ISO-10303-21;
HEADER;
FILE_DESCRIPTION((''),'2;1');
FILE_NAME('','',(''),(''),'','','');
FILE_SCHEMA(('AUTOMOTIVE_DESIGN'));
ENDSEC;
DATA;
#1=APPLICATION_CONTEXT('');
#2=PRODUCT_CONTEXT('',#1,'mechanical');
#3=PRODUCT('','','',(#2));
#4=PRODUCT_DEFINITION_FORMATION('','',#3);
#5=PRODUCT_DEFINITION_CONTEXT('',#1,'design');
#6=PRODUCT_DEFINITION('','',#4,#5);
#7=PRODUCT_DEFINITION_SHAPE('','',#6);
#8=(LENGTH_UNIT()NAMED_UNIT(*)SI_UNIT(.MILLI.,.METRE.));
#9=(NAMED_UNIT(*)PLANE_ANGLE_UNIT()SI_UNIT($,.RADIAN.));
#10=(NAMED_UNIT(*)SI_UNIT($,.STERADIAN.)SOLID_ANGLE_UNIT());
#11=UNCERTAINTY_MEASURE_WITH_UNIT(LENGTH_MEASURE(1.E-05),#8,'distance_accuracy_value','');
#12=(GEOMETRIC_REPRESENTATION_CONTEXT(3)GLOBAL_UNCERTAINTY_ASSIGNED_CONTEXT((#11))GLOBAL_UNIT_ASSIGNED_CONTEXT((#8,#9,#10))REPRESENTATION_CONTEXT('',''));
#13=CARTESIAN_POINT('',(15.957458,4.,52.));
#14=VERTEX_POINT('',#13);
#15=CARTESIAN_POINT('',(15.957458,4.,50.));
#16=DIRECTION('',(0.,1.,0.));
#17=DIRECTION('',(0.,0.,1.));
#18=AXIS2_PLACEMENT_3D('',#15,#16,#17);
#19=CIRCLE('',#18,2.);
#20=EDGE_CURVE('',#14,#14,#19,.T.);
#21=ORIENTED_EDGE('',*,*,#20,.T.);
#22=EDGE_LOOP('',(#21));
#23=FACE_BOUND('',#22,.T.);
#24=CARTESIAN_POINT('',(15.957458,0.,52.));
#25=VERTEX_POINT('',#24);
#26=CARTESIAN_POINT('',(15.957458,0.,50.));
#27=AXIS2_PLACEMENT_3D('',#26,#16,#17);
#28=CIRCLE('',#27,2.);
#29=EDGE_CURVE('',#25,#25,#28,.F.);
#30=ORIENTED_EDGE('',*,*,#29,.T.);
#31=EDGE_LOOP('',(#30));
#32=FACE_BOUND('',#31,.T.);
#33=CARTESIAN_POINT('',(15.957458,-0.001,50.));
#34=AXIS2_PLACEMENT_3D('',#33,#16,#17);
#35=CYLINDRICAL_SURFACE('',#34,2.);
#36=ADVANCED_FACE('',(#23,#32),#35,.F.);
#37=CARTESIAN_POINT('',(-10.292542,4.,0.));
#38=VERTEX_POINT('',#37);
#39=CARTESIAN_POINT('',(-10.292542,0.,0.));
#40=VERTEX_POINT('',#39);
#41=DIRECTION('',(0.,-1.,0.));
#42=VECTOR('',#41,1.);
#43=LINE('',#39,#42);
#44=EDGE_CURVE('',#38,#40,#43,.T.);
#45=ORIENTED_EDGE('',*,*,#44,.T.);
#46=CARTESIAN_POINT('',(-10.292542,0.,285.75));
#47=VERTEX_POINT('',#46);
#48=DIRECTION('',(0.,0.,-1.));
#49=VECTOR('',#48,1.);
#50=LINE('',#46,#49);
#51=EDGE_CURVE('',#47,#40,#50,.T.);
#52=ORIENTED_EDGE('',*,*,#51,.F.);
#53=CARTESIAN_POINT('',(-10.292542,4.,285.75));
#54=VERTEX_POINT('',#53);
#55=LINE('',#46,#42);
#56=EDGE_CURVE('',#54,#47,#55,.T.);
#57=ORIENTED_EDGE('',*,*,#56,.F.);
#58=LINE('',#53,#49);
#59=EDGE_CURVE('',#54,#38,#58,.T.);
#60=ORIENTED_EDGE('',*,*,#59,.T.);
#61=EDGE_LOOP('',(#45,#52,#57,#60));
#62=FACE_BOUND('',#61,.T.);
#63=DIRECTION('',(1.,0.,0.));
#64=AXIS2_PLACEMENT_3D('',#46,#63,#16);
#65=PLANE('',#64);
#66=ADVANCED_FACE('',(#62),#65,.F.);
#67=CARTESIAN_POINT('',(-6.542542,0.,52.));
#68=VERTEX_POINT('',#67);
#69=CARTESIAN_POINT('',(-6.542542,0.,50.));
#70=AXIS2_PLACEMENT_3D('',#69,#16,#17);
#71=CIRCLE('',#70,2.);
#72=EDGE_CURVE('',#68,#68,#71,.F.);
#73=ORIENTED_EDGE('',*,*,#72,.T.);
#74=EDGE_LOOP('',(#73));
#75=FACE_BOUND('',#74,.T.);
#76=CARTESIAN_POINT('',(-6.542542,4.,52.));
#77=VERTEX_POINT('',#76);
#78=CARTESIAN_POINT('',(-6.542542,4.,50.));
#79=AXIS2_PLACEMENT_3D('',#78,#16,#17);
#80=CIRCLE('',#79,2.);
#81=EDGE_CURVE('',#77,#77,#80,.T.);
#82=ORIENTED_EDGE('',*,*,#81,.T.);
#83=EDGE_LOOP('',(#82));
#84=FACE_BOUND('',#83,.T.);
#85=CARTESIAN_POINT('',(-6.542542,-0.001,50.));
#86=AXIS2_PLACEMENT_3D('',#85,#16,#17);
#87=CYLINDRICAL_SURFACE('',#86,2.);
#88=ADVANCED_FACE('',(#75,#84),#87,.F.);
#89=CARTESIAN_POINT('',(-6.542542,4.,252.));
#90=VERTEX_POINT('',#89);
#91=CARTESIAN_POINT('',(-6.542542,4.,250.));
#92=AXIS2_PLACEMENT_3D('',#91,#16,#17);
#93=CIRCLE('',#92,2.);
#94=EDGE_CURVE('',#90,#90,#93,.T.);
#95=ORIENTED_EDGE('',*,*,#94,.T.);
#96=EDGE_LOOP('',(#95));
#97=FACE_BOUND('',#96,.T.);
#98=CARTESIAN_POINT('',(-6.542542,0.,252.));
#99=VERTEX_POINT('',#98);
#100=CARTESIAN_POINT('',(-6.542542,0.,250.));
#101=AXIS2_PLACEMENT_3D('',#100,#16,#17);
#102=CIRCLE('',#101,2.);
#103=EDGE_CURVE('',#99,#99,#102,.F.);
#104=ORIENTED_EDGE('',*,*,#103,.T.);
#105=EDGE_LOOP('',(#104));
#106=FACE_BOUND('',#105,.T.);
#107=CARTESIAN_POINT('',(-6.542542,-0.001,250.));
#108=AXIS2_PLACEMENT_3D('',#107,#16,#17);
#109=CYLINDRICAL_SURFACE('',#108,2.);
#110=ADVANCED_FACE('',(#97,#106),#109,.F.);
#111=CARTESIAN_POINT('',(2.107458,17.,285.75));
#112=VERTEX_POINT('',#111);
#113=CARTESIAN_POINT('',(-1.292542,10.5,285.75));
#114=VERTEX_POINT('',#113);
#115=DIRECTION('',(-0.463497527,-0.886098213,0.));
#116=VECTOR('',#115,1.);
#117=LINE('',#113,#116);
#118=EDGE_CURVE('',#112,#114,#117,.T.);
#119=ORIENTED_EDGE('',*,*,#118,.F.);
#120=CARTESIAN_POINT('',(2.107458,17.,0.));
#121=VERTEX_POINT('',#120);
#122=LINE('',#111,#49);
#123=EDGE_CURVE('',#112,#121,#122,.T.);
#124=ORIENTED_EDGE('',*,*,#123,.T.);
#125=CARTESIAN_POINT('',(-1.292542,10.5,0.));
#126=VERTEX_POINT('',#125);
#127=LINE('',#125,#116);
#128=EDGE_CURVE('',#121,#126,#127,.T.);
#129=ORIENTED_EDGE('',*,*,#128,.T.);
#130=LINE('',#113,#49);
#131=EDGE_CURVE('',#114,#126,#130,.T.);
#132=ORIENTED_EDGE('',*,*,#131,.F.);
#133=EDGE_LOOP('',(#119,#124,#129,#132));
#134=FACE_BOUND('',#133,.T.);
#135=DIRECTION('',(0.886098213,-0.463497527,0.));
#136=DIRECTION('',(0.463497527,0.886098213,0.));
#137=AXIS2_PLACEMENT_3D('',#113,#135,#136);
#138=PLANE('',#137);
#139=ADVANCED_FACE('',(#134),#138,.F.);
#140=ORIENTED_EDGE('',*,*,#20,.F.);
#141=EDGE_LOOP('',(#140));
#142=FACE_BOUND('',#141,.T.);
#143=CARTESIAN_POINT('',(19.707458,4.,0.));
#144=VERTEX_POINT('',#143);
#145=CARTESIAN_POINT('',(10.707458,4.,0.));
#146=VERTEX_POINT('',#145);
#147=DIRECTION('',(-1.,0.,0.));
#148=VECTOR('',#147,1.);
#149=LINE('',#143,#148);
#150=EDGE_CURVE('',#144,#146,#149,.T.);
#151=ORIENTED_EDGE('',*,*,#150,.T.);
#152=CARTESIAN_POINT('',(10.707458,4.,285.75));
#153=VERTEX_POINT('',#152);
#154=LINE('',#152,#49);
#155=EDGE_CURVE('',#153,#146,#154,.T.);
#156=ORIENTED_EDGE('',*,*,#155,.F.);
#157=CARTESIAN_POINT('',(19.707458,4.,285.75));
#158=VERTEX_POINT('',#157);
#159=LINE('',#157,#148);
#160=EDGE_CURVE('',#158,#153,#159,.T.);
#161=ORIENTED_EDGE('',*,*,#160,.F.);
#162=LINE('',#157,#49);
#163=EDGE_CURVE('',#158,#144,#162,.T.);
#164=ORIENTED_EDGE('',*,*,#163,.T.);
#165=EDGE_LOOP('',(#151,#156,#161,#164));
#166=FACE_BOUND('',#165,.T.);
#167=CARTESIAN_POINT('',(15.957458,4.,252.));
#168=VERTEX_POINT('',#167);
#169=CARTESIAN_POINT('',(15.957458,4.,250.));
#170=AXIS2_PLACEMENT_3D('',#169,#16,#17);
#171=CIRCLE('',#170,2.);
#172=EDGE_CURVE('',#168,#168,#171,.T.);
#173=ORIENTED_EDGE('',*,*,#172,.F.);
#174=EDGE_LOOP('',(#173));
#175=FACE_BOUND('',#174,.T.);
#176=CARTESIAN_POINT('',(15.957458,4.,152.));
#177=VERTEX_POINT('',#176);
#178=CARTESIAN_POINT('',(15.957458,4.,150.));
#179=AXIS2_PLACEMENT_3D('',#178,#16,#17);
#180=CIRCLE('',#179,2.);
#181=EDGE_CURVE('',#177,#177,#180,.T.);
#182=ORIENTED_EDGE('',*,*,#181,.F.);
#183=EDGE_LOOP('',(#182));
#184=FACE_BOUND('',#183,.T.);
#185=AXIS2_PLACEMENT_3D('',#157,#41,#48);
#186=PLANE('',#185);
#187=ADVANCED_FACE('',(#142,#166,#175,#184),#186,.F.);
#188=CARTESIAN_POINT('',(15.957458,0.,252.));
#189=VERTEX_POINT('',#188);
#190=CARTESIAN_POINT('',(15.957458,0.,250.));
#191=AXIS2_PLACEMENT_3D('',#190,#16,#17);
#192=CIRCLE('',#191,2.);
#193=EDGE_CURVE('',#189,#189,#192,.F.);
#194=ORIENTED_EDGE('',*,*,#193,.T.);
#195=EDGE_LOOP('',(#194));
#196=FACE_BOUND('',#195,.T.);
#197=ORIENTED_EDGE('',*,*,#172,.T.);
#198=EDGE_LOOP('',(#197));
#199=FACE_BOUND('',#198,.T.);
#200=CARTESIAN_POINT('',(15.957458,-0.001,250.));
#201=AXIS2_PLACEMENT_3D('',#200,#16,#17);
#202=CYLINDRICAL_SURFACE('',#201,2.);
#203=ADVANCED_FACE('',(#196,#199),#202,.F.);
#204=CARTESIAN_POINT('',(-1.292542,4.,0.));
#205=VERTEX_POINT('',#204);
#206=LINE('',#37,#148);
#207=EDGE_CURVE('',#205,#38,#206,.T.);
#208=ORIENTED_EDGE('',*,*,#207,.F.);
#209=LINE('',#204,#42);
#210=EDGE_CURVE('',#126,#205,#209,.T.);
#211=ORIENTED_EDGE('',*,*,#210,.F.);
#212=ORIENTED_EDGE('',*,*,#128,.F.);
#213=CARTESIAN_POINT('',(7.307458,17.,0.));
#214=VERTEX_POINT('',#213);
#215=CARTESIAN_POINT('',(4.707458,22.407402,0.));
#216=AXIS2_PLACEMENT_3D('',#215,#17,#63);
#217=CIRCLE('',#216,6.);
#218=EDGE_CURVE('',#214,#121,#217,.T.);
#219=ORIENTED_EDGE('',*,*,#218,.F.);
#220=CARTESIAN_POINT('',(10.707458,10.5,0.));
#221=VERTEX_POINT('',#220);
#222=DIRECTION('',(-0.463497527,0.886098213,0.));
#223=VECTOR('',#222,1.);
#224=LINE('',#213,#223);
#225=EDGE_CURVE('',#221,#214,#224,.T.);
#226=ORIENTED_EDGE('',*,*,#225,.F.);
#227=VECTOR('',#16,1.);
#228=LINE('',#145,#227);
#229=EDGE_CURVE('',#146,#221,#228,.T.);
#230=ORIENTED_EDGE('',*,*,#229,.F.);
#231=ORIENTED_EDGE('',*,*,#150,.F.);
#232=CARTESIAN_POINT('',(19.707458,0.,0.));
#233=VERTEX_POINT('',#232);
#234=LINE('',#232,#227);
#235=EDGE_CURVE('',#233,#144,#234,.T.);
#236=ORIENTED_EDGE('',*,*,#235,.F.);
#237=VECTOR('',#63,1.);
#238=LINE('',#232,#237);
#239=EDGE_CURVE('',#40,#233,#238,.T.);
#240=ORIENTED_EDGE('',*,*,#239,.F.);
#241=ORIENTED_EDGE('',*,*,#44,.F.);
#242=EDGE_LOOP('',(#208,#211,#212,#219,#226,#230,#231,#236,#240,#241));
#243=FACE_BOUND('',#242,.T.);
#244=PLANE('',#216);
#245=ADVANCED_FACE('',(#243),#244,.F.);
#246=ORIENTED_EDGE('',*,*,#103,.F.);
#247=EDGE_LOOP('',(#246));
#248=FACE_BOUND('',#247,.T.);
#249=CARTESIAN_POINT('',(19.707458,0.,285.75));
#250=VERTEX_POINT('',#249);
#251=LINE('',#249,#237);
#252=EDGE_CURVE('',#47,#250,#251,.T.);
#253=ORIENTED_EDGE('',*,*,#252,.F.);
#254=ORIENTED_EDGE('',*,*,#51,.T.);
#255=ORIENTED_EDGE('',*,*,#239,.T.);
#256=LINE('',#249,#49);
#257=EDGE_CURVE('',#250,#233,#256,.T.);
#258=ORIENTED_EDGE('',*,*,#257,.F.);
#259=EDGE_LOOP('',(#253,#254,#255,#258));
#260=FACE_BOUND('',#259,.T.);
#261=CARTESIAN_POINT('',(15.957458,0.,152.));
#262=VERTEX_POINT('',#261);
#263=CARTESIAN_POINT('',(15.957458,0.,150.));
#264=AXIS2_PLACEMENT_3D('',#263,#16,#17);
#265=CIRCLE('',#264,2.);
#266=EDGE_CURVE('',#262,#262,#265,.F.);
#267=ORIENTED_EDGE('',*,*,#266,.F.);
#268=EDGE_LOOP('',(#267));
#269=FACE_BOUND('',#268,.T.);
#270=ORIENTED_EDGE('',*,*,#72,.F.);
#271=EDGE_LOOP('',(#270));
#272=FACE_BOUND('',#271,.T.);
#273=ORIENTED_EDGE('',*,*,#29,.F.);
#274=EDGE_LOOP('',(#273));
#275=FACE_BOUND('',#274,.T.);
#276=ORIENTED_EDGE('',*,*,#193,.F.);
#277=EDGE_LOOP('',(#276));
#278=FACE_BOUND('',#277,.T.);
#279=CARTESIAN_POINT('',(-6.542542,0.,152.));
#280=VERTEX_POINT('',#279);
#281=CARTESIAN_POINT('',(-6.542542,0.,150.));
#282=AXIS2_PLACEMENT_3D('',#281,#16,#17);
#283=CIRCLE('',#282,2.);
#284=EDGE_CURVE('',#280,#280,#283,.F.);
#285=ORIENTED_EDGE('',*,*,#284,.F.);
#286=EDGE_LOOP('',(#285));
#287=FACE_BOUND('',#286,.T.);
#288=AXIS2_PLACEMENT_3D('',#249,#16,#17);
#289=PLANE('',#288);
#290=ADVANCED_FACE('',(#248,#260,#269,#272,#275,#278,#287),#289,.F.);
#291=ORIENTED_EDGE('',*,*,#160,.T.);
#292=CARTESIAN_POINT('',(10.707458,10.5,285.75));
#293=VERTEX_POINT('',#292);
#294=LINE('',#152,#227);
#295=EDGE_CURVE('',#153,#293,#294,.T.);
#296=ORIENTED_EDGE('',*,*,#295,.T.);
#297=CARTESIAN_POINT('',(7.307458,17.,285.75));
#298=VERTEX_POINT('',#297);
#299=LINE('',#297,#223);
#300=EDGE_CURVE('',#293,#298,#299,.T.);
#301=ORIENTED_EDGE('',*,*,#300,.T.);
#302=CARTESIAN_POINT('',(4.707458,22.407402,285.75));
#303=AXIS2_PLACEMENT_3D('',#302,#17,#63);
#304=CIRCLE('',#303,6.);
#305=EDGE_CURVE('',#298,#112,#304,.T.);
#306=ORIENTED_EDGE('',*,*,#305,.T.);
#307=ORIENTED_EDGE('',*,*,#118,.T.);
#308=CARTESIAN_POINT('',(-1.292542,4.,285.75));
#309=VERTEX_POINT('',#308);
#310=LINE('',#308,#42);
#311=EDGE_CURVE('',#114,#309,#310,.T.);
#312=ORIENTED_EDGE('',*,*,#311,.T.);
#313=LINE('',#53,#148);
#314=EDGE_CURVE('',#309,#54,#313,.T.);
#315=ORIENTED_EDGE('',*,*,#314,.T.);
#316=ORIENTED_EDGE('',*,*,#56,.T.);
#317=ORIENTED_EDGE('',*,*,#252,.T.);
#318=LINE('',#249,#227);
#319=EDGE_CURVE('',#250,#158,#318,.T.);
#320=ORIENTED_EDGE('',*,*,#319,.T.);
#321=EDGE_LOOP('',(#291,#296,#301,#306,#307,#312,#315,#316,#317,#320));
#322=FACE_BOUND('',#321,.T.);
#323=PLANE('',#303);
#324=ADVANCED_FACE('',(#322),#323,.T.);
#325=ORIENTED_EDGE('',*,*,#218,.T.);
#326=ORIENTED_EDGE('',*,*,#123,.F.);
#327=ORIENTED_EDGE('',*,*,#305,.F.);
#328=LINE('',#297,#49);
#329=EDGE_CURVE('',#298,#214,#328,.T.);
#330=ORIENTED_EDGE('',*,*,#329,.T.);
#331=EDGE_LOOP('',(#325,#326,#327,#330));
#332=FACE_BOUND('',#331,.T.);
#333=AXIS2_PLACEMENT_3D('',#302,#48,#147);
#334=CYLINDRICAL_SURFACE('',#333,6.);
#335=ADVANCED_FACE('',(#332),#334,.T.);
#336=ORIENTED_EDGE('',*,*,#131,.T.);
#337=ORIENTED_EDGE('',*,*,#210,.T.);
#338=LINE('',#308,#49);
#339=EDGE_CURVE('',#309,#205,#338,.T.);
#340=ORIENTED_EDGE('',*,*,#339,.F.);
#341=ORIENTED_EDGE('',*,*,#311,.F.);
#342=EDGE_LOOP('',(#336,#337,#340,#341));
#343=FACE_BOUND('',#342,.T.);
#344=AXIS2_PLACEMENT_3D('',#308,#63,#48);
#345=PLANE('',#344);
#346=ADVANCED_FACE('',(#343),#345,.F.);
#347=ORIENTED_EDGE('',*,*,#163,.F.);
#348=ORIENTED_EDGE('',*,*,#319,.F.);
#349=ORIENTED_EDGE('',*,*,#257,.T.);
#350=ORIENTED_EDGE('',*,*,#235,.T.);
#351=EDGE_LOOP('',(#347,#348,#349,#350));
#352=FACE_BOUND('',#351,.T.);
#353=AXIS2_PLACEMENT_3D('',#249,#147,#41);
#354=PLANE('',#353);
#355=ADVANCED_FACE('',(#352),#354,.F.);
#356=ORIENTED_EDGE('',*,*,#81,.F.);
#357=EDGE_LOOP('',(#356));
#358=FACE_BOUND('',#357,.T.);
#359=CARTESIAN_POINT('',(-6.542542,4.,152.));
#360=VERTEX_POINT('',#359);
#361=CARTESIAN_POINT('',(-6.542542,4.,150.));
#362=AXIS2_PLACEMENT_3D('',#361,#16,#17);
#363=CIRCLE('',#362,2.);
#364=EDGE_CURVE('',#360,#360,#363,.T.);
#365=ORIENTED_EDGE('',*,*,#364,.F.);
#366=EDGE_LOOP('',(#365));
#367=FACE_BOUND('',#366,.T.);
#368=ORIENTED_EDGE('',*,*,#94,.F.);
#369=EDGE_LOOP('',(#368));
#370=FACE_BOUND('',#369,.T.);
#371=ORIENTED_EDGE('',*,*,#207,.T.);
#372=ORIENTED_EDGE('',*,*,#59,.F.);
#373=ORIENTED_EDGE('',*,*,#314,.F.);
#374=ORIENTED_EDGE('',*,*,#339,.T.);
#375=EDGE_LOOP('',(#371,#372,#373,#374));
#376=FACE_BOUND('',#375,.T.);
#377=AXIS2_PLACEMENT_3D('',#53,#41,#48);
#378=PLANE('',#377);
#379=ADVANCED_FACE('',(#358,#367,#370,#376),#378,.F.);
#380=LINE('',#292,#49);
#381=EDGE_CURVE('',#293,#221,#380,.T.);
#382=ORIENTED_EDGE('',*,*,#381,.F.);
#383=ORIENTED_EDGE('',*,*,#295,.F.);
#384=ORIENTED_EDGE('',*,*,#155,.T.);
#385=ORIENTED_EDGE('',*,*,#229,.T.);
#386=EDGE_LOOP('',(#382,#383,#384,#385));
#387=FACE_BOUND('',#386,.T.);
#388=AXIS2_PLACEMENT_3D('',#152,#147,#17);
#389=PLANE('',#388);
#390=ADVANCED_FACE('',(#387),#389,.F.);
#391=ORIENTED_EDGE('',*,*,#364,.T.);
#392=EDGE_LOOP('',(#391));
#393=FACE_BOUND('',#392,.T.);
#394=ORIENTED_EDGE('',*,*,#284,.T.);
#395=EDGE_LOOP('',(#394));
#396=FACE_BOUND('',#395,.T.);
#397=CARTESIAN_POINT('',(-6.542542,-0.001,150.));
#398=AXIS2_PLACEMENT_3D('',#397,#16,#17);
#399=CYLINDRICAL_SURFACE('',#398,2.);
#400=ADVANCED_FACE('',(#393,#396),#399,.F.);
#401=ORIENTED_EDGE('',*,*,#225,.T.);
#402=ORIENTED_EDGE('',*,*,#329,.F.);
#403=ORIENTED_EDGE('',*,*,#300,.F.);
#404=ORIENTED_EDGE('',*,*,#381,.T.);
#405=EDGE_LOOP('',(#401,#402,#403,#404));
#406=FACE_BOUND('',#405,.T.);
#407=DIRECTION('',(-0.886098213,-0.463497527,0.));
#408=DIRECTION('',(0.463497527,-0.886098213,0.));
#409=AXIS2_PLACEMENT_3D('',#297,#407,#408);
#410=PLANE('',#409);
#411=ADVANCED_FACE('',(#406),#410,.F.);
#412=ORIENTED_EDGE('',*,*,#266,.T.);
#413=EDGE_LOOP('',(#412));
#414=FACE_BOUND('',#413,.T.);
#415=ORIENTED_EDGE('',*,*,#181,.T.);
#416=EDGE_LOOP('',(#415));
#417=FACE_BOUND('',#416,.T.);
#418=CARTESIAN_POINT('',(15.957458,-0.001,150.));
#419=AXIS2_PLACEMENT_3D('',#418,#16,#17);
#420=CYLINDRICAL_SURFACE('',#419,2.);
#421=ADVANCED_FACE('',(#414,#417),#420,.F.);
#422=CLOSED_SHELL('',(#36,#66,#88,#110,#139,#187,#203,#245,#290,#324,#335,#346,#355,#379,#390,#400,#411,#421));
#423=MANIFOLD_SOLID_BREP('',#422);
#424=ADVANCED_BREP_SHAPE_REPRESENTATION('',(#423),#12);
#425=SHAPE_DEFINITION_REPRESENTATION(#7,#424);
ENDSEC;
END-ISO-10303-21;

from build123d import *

# Parameters (mm, degrees)
BOSS_EXTRUDE1_DEPTH = 285.75
CUT_EXTRUDE1_REACH  = 289.467
SKETCH2_R           = 2


with BuildPart() as part:
    # Sketch1 → Boss-Extrude1 (new body)
    with BuildSketch(Plane.XY):
        with BuildLine():
            Line((19.707457755, 0), (-10.292542245, 0))
            Line((-10.292542245, 0), (-10.292542245, 4))
            Line((-10.292542245, 4), (-1.292542245, 4))
            Line((-1.292542245, 4), (-1.292542245, 10.5))
            Line((-1.292542245, 10.5), (2.107457755, 17))
            ThreePointArc((2.107457755, 17), (4.707457755, 28.407402334), (7.307457755, 17))
            Line((7.307457755, 17), (10.707457755, 10.5))
            Line((10.707457755, 10.5), (10.707457755, 4))
            Line((10.707457755, 4), (19.707457755, 4))
            Line((19.707457755, 4), (19.707457755, 0))
        make_face()
    extrude(amount=BOSS_EXTRUDE1_DEPTH)

    # Sketch2 → Cut-Extrude1 (cut, up to next)
    with BuildSketch(Plane(origin=(0, 4, 0), x_dir=(1, 0, 0), z_dir=(0, 1, 0)), mode=Mode.PRIVATE) as cut_extrude1_sk1:
        with Locations(Location((-6.542542245, -50, 0), (0, 0, 270))):
            Circle(SKETCH2_R)
    cut_extrude1_tool1 = extrude(cut_extrude1_sk1.sketch, amount=-CUT_EXTRUDE1_REACH, mode=Mode.PRIVATE) & part.part
    # Sketch2 → Cut-Extrude1 (cut, up to next)
    with BuildSketch(Plane(origin=(0, 4, 0), x_dir=(1, 0, 0), z_dir=(0, 1, 0)), mode=Mode.PRIVATE) as cut_extrude1_sk2:
        with Locations(Location((15.957457755, -50, 0), (0, 0, 270))):
            Circle(SKETCH2_R)
    cut_extrude1_tool2 = extrude(cut_extrude1_sk2.sketch, amount=-CUT_EXTRUDE1_REACH, mode=Mode.PRIVATE) & part.part
    # Sketch2 → Cut-Extrude1 (cut, up to next)
    with BuildSketch(Plane(origin=(0, 4, 0), x_dir=(1, 0, 0), z_dir=(0, 1, 0)), mode=Mode.PRIVATE) as cut_extrude1_sk3:
        with Locations(Location((15.957457755, -150, 0), (0, 0, 270))):
            Circle(SKETCH2_R)
    cut_extrude1_tool3 = extrude(cut_extrude1_sk3.sketch, amount=-CUT_EXTRUDE1_REACH, mode=Mode.PRIVATE) & part.part
    # Sketch2 → Cut-Extrude1 (cut, up to next)
    with BuildSketch(Plane(origin=(0, 4, 0), x_dir=(1, 0, 0), z_dir=(0, 1, 0)), mode=Mode.PRIVATE) as cut_extrude1_sk4:
        with Locations(Location((-6.542542245, -150, 0), (0, 0, 270))):
            Circle(SKETCH2_R)
    cut_extrude1_tool4 = extrude(cut_extrude1_sk4.sketch, amount=-CUT_EXTRUDE1_REACH, mode=Mode.PRIVATE) & part.part
    # Sketch2 → Cut-Extrude1 (cut, up to next)
    with BuildSketch(Plane(origin=(0, 4, 0), x_dir=(1, 0, 0), z_dir=(0, 1, 0)), mode=Mode.PRIVATE) as cut_extrude1_sk5:
        with Locations(Location((15.957457755, -250, 0), (0, 0, 270))):
            Circle(SKETCH2_R)
    cut_extrude1_tool5 = extrude(cut_extrude1_sk5.sketch, amount=-CUT_EXTRUDE1_REACH, mode=Mode.PRIVATE) & part.part
    # Sketch2 → Cut-Extrude1 (cut, up to next)
    with BuildSketch(Plane(origin=(0, 4, 0), x_dir=(1, 0, 0), z_dir=(0, 1, 0)), mode=Mode.PRIVATE) as cut_extrude1_sk6:
        with Locations(Location((-6.542542245, -250, 0), (0, 0, 270))):
            Circle(SKETCH2_R)
    cut_extrude1_tool6 = extrude(cut_extrude1_sk6.sketch, amount=-CUT_EXTRUDE1_REACH, mode=Mode.PRIVATE) & part.part
    add(cut_extrude1_tool1.solids().sort_by_distance((-6.542542, 4, 50))[0], mode=Mode.SUBTRACT)
    add(cut_extrude1_tool2.solids().sort_by_distance((15.957458, 4, 50))[0], mode=Mode.SUBTRACT)
    add(cut_extrude1_tool3.solids().sort_by_distance((15.957458, 4, 150))[0], mode=Mode.SUBTRACT)
    add(cut_extrude1_tool4.solids().sort_by_distance((-6.542542, 4, 150))[0], mode=Mode.SUBTRACT)
    add(cut_extrude1_tool5.solids().sort_by_distance((15.957458, 4, 250))[0], mode=Mode.SUBTRACT)
    add(cut_extrude1_tool6.solids().sort_by_distance((-6.542542, 4, 250))[0], mode=Mode.SUBTRACT)


solid = part.part
